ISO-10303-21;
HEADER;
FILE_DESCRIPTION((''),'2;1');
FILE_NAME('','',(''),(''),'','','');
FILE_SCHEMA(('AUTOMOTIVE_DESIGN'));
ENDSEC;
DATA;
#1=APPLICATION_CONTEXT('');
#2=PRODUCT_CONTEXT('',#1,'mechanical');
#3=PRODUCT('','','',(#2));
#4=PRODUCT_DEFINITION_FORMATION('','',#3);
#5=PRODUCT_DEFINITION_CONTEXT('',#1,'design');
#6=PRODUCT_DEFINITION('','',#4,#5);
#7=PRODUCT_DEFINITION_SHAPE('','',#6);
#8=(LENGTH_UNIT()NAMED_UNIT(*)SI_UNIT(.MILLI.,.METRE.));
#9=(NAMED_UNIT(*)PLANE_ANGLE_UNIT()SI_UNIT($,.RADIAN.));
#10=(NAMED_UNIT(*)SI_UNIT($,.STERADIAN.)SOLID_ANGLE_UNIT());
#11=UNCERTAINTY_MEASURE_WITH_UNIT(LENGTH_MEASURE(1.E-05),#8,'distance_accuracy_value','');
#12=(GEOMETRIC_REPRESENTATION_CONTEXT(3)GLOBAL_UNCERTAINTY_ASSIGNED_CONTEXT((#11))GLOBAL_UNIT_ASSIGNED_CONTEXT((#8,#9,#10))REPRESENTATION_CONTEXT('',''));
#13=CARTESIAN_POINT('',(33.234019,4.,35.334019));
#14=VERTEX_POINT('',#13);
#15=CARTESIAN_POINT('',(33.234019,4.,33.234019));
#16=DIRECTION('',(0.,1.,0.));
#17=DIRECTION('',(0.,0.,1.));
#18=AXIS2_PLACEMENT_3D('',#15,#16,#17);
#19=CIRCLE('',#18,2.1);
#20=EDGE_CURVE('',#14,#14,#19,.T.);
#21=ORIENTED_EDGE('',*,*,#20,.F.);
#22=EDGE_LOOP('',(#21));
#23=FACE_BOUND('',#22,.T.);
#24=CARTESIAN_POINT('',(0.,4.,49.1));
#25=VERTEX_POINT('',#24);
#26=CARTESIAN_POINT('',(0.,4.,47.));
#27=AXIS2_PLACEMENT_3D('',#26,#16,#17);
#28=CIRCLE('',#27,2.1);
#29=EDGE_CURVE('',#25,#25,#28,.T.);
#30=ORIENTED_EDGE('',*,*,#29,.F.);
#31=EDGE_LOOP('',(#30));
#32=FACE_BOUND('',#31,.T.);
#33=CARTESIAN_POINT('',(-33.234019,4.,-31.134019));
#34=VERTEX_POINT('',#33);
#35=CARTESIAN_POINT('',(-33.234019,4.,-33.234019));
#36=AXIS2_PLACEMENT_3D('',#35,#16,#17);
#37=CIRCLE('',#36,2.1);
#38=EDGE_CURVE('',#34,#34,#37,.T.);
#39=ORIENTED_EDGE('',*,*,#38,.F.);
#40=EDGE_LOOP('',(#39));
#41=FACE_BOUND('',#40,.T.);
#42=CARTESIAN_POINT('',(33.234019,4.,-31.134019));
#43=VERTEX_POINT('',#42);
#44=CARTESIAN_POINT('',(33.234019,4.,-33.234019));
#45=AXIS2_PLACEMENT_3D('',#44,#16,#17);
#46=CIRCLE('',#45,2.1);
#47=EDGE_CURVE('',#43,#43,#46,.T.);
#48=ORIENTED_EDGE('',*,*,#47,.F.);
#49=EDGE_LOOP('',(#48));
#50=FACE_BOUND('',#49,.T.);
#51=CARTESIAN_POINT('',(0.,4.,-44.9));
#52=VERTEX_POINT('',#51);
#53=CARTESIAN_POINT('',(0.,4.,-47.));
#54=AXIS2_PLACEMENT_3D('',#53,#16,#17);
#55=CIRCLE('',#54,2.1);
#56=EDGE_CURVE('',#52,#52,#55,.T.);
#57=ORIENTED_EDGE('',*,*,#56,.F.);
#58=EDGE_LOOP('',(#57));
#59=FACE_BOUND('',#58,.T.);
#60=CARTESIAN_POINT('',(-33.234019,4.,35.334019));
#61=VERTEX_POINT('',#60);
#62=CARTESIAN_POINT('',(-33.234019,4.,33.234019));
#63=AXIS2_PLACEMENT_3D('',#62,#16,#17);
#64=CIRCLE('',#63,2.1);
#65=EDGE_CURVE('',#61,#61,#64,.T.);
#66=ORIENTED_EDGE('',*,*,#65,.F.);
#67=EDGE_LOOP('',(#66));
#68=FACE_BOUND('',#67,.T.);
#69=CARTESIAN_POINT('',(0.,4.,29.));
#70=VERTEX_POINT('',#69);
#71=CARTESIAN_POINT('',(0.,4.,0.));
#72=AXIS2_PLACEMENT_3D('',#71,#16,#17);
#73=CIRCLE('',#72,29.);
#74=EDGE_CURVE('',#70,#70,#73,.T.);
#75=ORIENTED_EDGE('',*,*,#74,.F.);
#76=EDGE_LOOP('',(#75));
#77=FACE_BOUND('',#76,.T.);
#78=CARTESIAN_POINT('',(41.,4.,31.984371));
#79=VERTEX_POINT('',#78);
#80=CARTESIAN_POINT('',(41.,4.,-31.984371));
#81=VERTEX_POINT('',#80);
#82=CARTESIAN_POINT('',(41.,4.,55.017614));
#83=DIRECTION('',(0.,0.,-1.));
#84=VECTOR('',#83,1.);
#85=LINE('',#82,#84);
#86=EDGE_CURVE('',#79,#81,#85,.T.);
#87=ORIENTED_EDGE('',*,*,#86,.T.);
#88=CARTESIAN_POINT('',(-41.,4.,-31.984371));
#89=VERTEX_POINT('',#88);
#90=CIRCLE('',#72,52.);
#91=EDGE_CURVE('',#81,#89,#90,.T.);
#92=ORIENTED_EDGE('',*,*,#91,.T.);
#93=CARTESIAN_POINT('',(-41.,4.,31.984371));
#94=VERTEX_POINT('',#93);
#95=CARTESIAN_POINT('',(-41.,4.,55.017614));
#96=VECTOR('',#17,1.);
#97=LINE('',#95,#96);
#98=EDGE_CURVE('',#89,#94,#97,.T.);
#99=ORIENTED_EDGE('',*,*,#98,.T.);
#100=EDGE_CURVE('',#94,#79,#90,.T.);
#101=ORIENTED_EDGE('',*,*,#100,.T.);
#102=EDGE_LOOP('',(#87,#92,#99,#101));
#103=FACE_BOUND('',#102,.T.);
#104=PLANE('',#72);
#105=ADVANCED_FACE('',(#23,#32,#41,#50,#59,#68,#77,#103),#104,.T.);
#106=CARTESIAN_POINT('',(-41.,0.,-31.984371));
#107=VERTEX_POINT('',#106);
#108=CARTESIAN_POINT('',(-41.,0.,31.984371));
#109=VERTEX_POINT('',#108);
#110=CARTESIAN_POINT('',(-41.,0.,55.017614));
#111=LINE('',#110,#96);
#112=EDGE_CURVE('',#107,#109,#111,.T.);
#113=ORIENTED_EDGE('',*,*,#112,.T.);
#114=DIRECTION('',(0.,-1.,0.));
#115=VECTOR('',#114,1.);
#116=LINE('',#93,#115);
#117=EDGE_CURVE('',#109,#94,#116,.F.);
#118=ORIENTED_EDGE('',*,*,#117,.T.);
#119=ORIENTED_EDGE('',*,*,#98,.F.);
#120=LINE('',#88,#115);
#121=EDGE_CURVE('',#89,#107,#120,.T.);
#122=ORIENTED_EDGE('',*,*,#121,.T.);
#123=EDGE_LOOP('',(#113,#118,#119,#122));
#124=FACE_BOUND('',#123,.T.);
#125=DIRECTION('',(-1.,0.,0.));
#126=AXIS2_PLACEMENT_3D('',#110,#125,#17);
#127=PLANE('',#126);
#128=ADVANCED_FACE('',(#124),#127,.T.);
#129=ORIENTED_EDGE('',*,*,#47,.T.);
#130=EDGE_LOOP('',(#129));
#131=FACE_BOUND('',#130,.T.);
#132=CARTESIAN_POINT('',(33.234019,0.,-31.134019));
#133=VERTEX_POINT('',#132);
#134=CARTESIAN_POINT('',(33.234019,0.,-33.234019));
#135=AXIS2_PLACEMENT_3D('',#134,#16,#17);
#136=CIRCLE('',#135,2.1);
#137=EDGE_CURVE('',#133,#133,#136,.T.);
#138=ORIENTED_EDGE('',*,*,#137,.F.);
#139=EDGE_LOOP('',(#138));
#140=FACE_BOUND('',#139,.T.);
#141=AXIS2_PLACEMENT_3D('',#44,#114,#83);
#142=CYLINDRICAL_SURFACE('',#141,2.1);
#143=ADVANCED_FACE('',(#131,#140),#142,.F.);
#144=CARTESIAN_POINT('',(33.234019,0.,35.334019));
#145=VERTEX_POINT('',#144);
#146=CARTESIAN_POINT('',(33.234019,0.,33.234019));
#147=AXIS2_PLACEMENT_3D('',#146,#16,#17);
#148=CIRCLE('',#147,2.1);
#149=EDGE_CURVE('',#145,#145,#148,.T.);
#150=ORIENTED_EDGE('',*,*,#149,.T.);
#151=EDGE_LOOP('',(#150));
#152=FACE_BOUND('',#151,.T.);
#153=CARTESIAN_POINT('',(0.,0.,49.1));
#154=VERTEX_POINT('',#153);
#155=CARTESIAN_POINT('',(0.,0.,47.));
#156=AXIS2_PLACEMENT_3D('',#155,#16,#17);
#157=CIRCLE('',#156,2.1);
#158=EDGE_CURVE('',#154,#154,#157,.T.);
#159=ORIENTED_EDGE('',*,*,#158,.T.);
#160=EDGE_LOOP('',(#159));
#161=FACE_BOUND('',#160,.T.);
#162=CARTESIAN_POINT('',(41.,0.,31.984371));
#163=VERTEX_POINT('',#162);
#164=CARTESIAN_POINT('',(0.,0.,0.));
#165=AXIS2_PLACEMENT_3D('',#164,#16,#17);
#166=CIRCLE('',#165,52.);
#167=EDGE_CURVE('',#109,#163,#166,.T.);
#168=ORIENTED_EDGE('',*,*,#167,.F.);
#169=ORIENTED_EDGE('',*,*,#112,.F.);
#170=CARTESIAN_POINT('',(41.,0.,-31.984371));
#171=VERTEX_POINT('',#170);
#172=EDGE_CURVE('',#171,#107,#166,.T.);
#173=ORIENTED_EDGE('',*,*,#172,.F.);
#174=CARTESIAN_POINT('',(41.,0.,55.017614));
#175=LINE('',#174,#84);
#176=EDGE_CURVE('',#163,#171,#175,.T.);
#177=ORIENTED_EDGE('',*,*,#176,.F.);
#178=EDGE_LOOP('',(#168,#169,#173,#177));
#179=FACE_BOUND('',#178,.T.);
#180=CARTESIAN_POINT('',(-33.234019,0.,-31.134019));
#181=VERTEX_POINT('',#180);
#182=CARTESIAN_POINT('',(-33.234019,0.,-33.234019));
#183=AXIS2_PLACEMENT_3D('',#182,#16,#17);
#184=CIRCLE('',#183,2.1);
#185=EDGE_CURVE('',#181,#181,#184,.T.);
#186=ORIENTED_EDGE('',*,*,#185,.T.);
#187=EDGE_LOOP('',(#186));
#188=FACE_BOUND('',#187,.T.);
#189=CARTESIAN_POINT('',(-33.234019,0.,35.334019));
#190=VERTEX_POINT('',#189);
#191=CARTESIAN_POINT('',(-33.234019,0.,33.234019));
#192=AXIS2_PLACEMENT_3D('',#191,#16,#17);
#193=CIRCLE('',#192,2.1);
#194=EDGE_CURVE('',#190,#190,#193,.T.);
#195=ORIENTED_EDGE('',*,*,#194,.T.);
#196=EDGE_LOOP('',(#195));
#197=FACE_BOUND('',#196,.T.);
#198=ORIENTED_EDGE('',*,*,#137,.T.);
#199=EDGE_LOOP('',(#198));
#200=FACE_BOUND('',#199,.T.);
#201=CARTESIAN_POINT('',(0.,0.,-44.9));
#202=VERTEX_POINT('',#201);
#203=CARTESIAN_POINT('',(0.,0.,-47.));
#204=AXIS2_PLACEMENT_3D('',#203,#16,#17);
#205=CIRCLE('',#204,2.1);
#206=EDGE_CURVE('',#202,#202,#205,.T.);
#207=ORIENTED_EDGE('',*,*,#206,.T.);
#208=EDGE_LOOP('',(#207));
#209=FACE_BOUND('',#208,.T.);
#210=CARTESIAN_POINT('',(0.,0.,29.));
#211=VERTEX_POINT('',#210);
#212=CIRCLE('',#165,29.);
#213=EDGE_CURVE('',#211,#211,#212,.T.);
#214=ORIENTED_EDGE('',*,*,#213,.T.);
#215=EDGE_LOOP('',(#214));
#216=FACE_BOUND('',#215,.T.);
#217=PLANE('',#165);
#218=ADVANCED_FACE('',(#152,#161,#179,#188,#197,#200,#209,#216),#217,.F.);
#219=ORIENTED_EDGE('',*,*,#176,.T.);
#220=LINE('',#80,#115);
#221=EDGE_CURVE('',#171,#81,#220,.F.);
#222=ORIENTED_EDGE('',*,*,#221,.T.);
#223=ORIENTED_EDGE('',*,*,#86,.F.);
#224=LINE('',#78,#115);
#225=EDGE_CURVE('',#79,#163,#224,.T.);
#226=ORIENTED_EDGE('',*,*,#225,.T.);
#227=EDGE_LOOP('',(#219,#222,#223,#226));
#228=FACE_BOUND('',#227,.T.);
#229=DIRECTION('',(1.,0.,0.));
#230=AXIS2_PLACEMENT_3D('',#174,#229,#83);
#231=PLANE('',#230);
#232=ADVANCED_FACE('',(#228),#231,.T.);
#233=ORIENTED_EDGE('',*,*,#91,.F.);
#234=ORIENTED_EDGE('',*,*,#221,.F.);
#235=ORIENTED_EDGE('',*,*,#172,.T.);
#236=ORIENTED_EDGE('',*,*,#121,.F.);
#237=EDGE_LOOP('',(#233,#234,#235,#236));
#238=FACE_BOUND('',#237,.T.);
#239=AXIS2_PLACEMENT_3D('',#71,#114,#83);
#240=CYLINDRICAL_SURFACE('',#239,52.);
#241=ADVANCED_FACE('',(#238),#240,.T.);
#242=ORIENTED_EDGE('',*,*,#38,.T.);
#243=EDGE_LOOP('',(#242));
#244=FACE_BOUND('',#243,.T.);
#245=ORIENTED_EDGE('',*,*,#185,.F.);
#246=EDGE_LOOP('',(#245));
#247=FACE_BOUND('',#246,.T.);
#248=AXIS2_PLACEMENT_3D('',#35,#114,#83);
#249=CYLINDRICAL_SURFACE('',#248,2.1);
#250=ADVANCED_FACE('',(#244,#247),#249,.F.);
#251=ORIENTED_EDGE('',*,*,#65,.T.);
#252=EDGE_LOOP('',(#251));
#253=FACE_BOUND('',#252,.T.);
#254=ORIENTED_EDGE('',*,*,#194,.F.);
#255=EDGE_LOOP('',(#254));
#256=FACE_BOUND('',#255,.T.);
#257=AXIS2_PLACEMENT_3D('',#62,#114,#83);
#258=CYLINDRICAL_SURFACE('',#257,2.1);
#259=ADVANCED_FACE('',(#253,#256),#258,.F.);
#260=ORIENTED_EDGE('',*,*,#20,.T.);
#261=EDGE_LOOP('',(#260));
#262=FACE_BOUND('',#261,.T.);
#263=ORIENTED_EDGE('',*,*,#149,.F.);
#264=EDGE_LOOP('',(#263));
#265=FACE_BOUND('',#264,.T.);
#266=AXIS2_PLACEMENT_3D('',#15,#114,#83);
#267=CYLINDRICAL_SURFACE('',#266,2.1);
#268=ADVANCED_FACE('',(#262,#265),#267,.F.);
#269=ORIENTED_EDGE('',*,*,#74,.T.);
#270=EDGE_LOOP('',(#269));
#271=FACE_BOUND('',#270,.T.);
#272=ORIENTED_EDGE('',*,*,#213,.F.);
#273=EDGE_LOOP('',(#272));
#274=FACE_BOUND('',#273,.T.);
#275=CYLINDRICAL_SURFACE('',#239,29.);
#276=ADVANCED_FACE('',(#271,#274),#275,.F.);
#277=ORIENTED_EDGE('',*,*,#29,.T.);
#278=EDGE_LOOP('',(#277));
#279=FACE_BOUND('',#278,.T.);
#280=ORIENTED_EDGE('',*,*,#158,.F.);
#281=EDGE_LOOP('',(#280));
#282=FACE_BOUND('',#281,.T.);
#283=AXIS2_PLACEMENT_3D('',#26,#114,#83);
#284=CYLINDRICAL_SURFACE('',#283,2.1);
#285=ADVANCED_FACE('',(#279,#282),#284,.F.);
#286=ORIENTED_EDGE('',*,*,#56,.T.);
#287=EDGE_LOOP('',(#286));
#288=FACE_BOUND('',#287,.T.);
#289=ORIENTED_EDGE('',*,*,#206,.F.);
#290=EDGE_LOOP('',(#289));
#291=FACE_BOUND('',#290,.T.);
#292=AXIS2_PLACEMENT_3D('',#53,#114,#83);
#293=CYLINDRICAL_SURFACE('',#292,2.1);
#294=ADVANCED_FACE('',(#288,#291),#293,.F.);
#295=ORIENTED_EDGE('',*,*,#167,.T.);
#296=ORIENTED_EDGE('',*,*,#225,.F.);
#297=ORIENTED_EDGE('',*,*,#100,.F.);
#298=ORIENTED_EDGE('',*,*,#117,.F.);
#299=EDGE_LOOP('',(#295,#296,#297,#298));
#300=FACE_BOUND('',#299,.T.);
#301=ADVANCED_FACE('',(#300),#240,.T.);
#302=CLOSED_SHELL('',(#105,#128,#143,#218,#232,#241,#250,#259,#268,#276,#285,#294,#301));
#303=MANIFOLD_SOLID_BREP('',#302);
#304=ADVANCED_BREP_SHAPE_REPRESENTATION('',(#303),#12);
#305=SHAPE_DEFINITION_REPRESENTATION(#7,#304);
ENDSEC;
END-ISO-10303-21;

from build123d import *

# Parameters (mm, degrees)
SKETCH_1_R          = 52
SKETCH_1_R_2        = 29
SKETCH_1_R_3        = 2.1
EXTRUDE_1_DEPTH     = 4
SKETCH_2_W          = 182
SKETCH_2_H          = 210.035227354
SKETCH_2_W_2        = 82
SKETCH_2_H_2        = 110.035227354
CUT_EXTRUDE_1_DEPTH = 4


with BuildPart() as part:
    # 草图1 → 凸台-拉伸1 (new body)
    with BuildSketch(Plane(origin=(0, 0, 0), x_dir=(1, 0, 0), z_dir=(0, 1, 0))):
        with Locations(Location((0, 0, 0), (0, 0, 270))):
            Circle(SKETCH_1_R)
        with Locations(Location((0, 0, 0), (0, 0, 270))):
            Circle(SKETCH_1_R_2, mode=Mode.SUBTRACT)
        with Locations(Location((47, 0, 0), (0, 0, 270))):
            Circle(SKETCH_1_R_3, mode=Mode.SUBTRACT)
        with Locations(Location((33.234018716, -33.234018716, 0), (0, 0, 270))):
            Circle(SKETCH_1_R_3, mode=Mode.SUBTRACT)
        with Locations(Location((0, -47, 0), (0, 0, 270))):
            Circle(SKETCH_1_R_3, mode=Mode.SUBTRACT)
        with Locations(Location((-33.234018716, -33.234018716, 0), (0, 0, 270))):
            Circle(SKETCH_1_R_3, mode=Mode.SUBTRACT)
        with Locations(Location((-47, 0, 0), (0, 0, 270))):
            Circle(SKETCH_1_R_3, mode=Mode.SUBTRACT)
        with Locations(Location((-33.234018716, 33.234018716, 0), (0, 0, 270))):
            Circle(SKETCH_1_R_3, mode=Mode.SUBTRACT)
        with Locations(Location((0, 47, 0), (0, 0, 270))):
            Circle(SKETCH_1_R_3, mode=Mode.SUBTRACT)
        with Locations(Location((33.234018716, 33.234018716, 0), (0, 0, 270))):
            Circle(SKETCH_1_R_3, mode=Mode.SUBTRACT)
    extrude(amount=EXTRUDE_1_DEPTH)

    # 草图2 → 切除-拉伸-薄壁1 (cut)
    with BuildSketch(Plane(origin=(0, 4, 0), x_dir=(1, 0, 0), z_dir=(0, 1, 0))):
        Rectangle(SKETCH_2_W, SKETCH_2_H)
        Rectangle(SKETCH_2_W_2, SKETCH_2_H_2, mode=Mode.SUBTRACT)
    extrude(amount=-CUT_EXTRUDE_1_DEPTH, mode=Mode.SUBTRACT)


solid = part.part
